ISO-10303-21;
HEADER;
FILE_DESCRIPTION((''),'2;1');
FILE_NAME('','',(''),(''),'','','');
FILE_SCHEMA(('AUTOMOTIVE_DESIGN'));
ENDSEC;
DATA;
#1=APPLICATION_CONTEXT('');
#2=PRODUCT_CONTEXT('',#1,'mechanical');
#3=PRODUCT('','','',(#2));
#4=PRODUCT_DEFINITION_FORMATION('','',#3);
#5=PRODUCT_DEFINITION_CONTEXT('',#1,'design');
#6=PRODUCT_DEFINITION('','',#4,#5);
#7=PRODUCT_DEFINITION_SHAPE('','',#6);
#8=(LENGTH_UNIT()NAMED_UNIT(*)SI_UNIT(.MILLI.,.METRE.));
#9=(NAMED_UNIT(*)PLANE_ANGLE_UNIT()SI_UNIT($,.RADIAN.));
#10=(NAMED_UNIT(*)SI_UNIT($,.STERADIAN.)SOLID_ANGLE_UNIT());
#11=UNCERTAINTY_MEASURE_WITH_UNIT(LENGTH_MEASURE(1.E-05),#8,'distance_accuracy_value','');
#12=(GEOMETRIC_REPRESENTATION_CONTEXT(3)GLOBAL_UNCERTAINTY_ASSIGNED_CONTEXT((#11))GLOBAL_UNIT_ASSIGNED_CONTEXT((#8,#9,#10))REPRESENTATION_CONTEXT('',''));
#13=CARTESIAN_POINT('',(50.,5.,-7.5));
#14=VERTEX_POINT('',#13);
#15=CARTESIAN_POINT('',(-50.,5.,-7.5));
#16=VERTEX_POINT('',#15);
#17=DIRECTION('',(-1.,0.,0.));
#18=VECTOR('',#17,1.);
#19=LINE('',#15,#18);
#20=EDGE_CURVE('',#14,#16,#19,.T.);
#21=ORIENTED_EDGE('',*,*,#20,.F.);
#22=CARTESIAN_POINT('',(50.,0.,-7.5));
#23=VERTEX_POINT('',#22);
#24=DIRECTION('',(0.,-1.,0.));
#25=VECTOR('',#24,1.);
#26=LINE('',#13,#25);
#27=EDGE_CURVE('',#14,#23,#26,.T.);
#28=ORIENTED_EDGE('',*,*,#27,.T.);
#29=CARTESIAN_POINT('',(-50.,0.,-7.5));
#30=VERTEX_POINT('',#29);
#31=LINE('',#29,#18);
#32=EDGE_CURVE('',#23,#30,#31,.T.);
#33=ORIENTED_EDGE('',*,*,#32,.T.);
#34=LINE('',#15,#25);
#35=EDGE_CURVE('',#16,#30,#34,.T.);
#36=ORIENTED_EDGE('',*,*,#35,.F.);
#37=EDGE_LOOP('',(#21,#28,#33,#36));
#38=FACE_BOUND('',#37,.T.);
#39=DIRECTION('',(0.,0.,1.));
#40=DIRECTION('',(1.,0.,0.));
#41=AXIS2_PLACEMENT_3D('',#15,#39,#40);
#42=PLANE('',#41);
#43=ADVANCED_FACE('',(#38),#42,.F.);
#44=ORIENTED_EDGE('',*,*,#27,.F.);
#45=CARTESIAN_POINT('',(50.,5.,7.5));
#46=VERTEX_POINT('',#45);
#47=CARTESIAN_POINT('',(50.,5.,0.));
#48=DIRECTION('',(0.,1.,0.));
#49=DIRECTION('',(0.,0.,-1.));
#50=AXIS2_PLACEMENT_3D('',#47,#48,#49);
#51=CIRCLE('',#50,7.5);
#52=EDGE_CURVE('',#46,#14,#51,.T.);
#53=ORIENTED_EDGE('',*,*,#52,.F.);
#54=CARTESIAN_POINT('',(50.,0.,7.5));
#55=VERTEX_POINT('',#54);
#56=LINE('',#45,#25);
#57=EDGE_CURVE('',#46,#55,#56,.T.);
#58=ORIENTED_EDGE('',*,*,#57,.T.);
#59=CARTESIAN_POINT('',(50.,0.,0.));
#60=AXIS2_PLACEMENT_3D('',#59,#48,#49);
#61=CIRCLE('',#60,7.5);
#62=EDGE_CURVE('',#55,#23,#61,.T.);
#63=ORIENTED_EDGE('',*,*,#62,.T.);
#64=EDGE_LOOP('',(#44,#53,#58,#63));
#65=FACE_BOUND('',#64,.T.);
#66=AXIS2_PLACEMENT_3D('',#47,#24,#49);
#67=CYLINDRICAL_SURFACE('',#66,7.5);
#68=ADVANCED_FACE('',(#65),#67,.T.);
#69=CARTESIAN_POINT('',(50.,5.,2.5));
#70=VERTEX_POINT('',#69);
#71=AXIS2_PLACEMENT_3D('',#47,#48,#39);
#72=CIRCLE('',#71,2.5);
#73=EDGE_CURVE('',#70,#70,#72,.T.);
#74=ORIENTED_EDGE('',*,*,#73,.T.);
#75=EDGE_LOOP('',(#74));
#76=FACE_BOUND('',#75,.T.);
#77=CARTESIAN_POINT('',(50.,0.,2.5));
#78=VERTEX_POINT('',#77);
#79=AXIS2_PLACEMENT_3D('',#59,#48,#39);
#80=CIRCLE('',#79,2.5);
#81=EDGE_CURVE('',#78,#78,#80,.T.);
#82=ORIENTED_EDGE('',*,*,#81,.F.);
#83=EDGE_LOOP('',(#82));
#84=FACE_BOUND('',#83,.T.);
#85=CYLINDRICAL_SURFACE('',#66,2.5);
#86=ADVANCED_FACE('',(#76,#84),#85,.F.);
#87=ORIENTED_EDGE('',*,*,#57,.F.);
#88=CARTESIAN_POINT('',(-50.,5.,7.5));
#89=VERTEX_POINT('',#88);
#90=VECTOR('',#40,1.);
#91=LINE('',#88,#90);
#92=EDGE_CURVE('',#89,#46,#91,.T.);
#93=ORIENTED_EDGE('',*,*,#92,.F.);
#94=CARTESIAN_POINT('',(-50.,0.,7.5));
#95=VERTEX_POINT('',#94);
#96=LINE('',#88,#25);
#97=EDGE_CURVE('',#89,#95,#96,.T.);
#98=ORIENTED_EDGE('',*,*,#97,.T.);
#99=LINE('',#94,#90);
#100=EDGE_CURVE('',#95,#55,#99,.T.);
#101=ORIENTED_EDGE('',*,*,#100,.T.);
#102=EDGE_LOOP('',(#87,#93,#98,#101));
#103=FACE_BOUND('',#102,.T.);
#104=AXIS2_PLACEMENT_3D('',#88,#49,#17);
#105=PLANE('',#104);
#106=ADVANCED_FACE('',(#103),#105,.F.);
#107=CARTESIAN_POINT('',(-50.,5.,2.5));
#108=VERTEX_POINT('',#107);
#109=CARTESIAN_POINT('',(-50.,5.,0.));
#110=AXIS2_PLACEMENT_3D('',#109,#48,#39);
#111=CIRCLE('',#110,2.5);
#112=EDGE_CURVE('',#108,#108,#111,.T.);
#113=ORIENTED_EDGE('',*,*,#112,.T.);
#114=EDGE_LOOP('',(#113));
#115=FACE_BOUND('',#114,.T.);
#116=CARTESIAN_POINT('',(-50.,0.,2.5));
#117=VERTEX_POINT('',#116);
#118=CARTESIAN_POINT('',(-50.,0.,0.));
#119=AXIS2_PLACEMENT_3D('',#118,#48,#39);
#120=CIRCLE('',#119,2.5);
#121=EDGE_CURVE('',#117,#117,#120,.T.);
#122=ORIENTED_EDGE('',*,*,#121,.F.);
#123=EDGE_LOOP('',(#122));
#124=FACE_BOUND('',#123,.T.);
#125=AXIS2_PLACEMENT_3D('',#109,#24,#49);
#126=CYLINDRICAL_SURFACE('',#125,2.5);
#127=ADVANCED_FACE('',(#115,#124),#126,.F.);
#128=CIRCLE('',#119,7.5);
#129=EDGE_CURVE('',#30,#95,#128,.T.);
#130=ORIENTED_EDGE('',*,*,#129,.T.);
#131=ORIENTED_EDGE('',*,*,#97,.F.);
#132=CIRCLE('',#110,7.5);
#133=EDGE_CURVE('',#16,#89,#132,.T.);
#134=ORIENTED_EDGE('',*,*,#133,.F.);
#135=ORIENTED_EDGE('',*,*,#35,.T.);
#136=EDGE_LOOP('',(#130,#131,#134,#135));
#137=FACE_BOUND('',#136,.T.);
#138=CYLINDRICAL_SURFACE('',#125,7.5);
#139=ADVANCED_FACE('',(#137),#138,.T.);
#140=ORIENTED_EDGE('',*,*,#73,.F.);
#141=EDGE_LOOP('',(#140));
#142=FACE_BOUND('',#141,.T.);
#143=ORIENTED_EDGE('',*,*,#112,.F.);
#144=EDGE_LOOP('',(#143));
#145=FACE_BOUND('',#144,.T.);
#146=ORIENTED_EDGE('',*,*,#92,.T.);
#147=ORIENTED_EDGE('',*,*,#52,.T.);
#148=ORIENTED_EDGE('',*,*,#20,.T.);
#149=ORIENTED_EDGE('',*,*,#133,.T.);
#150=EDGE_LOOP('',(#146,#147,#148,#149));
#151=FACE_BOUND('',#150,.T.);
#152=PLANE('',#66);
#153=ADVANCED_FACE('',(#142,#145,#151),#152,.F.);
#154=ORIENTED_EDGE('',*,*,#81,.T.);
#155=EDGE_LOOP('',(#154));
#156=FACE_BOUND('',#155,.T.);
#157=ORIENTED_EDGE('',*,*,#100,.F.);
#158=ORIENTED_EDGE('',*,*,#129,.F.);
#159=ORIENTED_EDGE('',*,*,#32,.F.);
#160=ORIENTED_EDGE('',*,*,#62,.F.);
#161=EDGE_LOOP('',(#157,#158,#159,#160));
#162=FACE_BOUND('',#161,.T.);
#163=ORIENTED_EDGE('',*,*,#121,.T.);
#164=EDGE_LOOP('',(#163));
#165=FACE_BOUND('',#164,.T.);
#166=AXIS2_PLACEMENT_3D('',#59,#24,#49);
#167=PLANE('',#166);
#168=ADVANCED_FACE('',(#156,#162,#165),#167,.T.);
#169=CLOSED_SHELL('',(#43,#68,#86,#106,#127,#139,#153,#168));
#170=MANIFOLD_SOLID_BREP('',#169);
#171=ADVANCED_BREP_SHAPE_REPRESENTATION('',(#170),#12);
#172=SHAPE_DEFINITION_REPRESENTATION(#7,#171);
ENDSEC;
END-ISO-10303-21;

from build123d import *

# Parameters (mm, degrees)
SKETCH1_R           = 2.5
BOSS_EXTRUDE1_DEPTH = 5


with BuildPart() as part:
    # Sketch1 → Boss-Extrude1 (new body)
    with BuildSketch(Plane(origin=(0, 0, 0), x_dir=(1, 0, 0), z_dir=(0, 1, 0))):
        with BuildLine():
            Line((-50, 7.5), (50, 7.5))
            ThreePointArc((50, 7.5), (57.5, 0), (50, -7.5))
            Line((50, -7.5), (-50, -7.5))
            ThreePointArc((-50, -7.5), (-57.5, 0), (-50, 7.5))
        make_face()
        with Locations(Location((-50, 0, 0), (0, 0, 270))):
            Circle(SKETCH1_R, mode=Mode.SUBTRACT)
        with Locations(Location((50, 0, 0), (0, 0, 270))):
            Circle(SKETCH1_R, mode=Mode.SUBTRACT)
    extrude(amount=BOSS_EXTRUDE1_DEPTH)


solid = part.part
